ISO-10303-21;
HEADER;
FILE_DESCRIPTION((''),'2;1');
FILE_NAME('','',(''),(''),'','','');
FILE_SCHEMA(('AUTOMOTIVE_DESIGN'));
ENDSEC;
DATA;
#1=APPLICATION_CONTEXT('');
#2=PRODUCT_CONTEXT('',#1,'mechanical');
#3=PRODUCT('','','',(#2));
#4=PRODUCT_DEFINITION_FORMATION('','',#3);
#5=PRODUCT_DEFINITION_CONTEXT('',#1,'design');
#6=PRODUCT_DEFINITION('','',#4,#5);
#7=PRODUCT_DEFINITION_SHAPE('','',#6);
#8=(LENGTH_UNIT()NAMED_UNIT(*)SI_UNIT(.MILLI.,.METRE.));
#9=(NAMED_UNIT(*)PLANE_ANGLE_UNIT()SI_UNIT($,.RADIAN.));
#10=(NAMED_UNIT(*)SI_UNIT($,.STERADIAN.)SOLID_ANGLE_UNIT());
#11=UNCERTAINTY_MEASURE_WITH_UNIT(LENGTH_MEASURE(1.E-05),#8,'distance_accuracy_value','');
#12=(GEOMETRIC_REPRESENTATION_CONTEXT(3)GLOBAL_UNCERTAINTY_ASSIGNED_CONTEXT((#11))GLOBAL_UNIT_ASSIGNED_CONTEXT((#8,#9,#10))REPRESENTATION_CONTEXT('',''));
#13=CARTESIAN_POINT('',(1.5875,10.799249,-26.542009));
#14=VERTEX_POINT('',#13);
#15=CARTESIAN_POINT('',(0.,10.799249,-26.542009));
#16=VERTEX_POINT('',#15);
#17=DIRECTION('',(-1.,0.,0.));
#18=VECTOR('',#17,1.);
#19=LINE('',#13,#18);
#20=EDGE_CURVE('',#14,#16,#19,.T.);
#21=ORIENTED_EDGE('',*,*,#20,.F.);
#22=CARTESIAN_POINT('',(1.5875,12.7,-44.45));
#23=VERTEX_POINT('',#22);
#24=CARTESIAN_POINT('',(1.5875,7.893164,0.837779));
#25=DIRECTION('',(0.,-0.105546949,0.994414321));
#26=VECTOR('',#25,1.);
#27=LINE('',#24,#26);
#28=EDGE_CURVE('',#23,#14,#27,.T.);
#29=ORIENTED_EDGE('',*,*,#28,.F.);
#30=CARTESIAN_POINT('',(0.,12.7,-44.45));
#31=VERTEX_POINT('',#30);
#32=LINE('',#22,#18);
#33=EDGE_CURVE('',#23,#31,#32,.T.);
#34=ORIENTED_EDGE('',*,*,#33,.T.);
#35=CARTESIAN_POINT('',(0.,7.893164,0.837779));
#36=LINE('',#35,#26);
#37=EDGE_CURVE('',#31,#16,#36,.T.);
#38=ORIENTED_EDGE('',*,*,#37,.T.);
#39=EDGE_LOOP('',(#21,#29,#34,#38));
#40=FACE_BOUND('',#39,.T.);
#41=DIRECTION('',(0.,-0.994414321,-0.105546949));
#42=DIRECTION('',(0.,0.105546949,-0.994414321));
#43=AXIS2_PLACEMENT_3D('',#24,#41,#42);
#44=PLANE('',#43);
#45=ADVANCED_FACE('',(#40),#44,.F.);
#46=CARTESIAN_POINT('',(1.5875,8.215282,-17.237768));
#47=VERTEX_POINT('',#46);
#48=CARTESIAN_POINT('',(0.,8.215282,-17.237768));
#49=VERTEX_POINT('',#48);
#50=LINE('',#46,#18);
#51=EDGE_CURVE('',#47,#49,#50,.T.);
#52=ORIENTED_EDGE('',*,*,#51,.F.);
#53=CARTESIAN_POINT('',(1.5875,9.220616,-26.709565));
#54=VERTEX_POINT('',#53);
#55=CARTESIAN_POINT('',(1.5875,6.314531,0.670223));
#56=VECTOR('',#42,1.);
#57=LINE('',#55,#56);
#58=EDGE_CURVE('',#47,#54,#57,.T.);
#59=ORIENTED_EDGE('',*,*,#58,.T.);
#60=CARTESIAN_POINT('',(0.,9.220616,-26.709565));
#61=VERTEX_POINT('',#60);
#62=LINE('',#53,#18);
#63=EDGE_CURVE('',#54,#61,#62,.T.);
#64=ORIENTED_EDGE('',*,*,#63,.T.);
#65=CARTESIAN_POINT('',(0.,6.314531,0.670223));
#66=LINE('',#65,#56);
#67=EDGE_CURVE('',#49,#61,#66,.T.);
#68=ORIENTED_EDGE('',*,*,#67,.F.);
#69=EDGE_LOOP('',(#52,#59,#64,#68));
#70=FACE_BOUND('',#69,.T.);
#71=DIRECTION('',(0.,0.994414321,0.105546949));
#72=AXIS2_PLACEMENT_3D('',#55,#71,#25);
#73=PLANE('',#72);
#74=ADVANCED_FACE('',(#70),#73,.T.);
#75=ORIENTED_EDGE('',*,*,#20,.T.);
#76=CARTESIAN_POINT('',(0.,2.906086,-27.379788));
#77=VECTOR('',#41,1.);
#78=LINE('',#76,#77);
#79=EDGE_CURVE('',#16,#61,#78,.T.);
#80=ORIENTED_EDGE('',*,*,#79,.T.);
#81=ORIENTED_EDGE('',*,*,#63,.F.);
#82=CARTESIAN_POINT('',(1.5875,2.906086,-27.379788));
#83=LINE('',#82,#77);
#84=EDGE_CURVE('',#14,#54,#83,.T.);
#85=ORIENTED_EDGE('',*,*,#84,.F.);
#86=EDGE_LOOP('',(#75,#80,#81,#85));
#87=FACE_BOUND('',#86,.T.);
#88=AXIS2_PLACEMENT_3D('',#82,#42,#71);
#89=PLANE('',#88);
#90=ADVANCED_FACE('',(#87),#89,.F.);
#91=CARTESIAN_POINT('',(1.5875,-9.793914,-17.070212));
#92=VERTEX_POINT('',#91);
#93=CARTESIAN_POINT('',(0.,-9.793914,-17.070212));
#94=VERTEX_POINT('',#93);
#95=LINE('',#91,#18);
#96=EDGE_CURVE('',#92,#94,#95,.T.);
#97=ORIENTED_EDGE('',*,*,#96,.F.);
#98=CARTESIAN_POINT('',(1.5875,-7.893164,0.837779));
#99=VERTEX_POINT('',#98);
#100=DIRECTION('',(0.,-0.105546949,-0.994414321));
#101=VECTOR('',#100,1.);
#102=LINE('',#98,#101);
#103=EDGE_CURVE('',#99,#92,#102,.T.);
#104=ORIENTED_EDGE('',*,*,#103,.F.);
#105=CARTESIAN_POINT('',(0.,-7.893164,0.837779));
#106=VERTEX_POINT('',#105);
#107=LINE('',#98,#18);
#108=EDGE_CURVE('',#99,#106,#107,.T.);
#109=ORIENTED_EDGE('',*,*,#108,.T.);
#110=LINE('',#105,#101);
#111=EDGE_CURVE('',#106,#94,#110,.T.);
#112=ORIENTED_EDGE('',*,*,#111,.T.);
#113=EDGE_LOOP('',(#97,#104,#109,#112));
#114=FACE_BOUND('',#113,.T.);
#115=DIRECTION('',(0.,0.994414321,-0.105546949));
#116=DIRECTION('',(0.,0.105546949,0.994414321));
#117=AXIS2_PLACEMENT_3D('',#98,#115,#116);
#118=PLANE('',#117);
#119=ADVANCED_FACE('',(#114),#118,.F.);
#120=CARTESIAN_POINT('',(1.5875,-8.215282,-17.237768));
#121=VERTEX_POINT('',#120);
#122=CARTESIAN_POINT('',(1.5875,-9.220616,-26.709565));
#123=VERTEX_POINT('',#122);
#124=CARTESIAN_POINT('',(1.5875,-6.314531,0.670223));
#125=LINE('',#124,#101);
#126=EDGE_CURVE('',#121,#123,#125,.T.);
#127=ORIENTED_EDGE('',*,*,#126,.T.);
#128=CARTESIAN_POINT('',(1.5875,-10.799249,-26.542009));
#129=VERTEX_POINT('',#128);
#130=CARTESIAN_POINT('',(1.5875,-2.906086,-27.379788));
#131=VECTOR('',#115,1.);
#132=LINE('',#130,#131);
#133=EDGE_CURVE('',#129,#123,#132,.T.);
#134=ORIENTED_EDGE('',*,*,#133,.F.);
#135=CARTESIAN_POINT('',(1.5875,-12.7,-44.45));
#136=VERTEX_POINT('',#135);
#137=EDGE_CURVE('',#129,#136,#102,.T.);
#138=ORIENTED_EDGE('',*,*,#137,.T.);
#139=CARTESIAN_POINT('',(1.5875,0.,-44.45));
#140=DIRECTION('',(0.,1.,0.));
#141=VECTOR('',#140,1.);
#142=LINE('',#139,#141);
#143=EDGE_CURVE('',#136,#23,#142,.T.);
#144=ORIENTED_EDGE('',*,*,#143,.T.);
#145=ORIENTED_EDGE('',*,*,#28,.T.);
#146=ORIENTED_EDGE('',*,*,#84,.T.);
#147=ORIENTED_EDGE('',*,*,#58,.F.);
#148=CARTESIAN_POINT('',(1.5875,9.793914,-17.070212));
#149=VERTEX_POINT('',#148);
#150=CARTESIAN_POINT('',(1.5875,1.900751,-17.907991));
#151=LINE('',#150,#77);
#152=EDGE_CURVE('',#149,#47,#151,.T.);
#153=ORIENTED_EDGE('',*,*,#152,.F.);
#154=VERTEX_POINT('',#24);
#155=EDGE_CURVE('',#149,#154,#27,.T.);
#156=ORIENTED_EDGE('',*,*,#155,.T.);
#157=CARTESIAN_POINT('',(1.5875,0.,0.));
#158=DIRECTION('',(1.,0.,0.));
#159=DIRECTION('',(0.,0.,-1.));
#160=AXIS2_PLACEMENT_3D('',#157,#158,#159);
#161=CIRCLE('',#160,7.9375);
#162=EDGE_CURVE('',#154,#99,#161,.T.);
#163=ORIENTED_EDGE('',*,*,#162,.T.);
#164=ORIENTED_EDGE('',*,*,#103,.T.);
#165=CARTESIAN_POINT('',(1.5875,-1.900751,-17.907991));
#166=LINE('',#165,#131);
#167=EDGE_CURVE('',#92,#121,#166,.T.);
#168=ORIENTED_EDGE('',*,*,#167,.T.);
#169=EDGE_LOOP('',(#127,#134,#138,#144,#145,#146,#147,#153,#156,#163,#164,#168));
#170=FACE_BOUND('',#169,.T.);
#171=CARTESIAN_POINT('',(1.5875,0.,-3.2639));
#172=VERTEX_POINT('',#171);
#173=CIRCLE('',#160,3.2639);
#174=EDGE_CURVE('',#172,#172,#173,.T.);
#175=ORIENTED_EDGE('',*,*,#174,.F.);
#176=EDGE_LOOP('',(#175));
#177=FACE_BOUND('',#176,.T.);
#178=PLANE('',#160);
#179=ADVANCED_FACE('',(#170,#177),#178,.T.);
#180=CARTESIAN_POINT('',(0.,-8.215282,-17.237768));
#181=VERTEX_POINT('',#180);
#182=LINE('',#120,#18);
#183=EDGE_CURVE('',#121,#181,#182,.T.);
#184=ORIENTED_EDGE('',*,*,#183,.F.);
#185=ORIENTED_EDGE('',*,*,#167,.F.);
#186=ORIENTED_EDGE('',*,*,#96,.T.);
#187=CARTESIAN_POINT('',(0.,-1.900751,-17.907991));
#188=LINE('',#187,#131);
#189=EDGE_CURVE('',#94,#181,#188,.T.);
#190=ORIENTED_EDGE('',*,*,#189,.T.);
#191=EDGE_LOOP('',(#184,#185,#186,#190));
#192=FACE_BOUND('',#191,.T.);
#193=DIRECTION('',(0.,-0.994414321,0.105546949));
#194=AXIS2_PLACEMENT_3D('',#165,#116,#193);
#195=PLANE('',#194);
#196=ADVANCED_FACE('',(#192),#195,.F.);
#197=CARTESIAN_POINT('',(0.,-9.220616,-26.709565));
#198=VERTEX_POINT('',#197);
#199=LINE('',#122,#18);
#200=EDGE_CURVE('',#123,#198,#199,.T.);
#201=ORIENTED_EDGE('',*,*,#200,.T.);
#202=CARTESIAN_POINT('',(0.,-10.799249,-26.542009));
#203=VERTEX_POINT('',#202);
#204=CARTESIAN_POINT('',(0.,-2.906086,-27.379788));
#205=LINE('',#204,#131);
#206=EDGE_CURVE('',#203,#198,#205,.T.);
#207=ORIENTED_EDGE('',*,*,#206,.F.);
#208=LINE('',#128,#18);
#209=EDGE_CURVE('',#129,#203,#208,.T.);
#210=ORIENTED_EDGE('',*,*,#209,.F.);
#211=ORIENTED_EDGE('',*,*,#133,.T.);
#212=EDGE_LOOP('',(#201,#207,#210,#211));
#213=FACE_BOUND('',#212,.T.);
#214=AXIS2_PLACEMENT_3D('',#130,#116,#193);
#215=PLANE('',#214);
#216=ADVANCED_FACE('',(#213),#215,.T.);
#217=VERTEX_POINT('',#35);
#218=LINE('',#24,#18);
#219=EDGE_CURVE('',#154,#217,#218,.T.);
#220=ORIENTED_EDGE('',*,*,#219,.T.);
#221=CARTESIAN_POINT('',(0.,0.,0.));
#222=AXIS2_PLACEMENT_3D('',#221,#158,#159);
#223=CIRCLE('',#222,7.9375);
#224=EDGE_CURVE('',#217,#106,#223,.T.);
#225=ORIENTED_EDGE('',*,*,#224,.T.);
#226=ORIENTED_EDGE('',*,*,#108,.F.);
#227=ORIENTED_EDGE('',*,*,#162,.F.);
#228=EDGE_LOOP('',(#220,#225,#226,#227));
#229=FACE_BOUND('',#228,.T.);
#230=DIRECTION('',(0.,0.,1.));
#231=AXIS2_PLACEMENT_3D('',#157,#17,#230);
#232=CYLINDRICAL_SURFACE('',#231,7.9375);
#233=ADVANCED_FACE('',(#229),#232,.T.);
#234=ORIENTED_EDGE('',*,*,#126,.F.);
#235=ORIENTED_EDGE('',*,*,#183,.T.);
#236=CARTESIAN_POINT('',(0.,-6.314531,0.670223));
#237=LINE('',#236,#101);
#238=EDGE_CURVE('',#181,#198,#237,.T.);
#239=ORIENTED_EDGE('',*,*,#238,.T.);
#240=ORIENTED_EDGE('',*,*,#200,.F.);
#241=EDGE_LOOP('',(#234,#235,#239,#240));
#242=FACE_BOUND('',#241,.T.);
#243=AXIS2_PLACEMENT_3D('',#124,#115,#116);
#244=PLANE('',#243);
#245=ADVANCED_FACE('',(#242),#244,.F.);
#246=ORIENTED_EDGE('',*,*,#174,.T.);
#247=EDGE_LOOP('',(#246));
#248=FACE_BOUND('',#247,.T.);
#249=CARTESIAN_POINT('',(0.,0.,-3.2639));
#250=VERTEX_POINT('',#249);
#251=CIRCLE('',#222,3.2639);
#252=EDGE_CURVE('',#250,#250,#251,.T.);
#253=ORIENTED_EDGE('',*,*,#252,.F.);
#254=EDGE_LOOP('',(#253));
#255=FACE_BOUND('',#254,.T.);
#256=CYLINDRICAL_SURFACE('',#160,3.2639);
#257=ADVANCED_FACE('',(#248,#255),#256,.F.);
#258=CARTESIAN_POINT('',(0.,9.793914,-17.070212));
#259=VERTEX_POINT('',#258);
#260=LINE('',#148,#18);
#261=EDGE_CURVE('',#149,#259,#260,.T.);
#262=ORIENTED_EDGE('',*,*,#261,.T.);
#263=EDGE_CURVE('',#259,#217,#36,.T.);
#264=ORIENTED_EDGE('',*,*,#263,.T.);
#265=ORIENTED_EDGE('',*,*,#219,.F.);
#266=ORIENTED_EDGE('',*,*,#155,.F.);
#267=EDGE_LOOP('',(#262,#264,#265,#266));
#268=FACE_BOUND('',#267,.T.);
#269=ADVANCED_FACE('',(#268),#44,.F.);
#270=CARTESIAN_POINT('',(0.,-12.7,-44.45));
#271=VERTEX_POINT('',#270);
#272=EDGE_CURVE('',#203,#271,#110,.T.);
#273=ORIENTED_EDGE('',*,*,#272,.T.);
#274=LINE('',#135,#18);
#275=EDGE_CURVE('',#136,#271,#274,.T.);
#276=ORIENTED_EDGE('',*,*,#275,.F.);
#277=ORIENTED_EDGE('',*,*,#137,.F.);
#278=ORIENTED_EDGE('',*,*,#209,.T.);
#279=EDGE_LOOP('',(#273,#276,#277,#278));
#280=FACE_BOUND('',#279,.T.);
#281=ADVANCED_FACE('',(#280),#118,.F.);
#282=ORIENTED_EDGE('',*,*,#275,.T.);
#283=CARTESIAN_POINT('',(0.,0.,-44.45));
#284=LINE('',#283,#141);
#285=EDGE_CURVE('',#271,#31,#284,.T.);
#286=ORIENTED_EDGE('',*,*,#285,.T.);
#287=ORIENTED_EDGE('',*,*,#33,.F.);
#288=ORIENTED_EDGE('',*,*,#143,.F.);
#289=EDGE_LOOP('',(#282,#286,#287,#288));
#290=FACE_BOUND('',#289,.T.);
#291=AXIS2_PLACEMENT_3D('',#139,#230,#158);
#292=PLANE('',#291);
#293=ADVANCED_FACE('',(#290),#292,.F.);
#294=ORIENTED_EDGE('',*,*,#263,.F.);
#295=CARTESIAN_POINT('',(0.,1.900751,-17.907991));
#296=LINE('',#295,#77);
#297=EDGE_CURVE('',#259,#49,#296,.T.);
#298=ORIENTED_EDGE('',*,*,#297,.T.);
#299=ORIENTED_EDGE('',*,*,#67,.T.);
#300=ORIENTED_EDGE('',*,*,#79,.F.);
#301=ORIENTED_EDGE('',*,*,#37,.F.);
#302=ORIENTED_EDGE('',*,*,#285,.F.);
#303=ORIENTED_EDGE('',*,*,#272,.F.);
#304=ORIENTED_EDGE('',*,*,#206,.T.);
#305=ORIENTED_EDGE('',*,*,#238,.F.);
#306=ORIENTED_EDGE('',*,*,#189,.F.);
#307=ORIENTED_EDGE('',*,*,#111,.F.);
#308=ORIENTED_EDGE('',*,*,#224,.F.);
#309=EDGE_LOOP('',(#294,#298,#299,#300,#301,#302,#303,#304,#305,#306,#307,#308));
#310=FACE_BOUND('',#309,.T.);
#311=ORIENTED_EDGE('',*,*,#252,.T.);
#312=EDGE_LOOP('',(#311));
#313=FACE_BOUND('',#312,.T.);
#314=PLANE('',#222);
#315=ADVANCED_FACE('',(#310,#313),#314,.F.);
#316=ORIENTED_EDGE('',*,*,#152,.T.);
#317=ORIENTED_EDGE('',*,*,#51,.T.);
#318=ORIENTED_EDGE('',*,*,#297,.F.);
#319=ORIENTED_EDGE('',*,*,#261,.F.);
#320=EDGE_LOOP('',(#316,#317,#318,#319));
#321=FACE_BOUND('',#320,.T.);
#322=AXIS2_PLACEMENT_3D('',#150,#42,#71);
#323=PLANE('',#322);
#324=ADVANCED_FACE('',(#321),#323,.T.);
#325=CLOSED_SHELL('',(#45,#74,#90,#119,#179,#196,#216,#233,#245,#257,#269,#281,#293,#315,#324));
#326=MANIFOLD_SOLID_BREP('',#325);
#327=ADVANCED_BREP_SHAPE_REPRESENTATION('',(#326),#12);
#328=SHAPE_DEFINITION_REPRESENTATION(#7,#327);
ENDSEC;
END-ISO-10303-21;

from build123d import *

# Parameters (mm, degrees)
BOSS_EXTRUDE1_DEPTH     = 1.5875
F_1_4_CLEARANCE_HOLE1_D = 6.5278


with BuildPart() as part:
    # Sketch1 → Boss-Extrude1 (new body)
    with BuildSketch(Plane(origin=(0, 0, 0), x_dir=(0, 0, -1), z_dir=(1, 0, 0))):
        with BuildLine():
            ThreePointArc((-0.837778906, 7.893163672), (-5.901431026, 5.308202906), (-7.9375, 0))
            Line((-7.9375, 0), (44.45, 0))
            Line((44.45, 0), (44.45, 12.7))
            Line((44.45, 12.7), (26.54200875, 10.79924918))
            Line((26.54200875, 10.79924918), (26.709564531, 9.220616445))
            Line((26.709564531, 9.220616445), (17.237768125, 8.215281758))
            Line((17.237768125, 8.215281758), (17.070212344, 9.793914492))
            Line((17.070212344, 9.793914492), (-0.837778906, 7.893163672))
        make_face()
        with BuildLine():
            ThreePointArc((-7.9375, 0), (-5.901431026, -5.308202906), (-0.837778906, -7.893163672))
            Line((-0.837778906, -7.893163672), (17.070212344, -9.793914492))
            Line((17.070212344, -9.793914492), (17.237768125, -8.215281758))
            Line((17.237768125, -8.215281758), (26.709564531, -9.220616445))
            Line((26.709564531, -9.220616445), (26.54200875, -10.79924918))
            Line((26.54200875, -10.79924918), (44.45, -12.7))
            Line((44.45, -12.7), (44.45, 0))
            Line((44.45, 0), (-7.9375, 0))
        make_face()
    extrude(amount=BOSS_EXTRUDE1_DEPTH)

    # 1/4 Clearance Hole1 (through all)
    with Locations(Plane(origin=(1.5875, 0, 0), x_dir=(0, 0, -1), z_dir=(1, 0, 0))):
        with Locations((0, 0)):
            Hole(F_1_4_CLEARANCE_HOLE1_D / 2)


solid = part.part
